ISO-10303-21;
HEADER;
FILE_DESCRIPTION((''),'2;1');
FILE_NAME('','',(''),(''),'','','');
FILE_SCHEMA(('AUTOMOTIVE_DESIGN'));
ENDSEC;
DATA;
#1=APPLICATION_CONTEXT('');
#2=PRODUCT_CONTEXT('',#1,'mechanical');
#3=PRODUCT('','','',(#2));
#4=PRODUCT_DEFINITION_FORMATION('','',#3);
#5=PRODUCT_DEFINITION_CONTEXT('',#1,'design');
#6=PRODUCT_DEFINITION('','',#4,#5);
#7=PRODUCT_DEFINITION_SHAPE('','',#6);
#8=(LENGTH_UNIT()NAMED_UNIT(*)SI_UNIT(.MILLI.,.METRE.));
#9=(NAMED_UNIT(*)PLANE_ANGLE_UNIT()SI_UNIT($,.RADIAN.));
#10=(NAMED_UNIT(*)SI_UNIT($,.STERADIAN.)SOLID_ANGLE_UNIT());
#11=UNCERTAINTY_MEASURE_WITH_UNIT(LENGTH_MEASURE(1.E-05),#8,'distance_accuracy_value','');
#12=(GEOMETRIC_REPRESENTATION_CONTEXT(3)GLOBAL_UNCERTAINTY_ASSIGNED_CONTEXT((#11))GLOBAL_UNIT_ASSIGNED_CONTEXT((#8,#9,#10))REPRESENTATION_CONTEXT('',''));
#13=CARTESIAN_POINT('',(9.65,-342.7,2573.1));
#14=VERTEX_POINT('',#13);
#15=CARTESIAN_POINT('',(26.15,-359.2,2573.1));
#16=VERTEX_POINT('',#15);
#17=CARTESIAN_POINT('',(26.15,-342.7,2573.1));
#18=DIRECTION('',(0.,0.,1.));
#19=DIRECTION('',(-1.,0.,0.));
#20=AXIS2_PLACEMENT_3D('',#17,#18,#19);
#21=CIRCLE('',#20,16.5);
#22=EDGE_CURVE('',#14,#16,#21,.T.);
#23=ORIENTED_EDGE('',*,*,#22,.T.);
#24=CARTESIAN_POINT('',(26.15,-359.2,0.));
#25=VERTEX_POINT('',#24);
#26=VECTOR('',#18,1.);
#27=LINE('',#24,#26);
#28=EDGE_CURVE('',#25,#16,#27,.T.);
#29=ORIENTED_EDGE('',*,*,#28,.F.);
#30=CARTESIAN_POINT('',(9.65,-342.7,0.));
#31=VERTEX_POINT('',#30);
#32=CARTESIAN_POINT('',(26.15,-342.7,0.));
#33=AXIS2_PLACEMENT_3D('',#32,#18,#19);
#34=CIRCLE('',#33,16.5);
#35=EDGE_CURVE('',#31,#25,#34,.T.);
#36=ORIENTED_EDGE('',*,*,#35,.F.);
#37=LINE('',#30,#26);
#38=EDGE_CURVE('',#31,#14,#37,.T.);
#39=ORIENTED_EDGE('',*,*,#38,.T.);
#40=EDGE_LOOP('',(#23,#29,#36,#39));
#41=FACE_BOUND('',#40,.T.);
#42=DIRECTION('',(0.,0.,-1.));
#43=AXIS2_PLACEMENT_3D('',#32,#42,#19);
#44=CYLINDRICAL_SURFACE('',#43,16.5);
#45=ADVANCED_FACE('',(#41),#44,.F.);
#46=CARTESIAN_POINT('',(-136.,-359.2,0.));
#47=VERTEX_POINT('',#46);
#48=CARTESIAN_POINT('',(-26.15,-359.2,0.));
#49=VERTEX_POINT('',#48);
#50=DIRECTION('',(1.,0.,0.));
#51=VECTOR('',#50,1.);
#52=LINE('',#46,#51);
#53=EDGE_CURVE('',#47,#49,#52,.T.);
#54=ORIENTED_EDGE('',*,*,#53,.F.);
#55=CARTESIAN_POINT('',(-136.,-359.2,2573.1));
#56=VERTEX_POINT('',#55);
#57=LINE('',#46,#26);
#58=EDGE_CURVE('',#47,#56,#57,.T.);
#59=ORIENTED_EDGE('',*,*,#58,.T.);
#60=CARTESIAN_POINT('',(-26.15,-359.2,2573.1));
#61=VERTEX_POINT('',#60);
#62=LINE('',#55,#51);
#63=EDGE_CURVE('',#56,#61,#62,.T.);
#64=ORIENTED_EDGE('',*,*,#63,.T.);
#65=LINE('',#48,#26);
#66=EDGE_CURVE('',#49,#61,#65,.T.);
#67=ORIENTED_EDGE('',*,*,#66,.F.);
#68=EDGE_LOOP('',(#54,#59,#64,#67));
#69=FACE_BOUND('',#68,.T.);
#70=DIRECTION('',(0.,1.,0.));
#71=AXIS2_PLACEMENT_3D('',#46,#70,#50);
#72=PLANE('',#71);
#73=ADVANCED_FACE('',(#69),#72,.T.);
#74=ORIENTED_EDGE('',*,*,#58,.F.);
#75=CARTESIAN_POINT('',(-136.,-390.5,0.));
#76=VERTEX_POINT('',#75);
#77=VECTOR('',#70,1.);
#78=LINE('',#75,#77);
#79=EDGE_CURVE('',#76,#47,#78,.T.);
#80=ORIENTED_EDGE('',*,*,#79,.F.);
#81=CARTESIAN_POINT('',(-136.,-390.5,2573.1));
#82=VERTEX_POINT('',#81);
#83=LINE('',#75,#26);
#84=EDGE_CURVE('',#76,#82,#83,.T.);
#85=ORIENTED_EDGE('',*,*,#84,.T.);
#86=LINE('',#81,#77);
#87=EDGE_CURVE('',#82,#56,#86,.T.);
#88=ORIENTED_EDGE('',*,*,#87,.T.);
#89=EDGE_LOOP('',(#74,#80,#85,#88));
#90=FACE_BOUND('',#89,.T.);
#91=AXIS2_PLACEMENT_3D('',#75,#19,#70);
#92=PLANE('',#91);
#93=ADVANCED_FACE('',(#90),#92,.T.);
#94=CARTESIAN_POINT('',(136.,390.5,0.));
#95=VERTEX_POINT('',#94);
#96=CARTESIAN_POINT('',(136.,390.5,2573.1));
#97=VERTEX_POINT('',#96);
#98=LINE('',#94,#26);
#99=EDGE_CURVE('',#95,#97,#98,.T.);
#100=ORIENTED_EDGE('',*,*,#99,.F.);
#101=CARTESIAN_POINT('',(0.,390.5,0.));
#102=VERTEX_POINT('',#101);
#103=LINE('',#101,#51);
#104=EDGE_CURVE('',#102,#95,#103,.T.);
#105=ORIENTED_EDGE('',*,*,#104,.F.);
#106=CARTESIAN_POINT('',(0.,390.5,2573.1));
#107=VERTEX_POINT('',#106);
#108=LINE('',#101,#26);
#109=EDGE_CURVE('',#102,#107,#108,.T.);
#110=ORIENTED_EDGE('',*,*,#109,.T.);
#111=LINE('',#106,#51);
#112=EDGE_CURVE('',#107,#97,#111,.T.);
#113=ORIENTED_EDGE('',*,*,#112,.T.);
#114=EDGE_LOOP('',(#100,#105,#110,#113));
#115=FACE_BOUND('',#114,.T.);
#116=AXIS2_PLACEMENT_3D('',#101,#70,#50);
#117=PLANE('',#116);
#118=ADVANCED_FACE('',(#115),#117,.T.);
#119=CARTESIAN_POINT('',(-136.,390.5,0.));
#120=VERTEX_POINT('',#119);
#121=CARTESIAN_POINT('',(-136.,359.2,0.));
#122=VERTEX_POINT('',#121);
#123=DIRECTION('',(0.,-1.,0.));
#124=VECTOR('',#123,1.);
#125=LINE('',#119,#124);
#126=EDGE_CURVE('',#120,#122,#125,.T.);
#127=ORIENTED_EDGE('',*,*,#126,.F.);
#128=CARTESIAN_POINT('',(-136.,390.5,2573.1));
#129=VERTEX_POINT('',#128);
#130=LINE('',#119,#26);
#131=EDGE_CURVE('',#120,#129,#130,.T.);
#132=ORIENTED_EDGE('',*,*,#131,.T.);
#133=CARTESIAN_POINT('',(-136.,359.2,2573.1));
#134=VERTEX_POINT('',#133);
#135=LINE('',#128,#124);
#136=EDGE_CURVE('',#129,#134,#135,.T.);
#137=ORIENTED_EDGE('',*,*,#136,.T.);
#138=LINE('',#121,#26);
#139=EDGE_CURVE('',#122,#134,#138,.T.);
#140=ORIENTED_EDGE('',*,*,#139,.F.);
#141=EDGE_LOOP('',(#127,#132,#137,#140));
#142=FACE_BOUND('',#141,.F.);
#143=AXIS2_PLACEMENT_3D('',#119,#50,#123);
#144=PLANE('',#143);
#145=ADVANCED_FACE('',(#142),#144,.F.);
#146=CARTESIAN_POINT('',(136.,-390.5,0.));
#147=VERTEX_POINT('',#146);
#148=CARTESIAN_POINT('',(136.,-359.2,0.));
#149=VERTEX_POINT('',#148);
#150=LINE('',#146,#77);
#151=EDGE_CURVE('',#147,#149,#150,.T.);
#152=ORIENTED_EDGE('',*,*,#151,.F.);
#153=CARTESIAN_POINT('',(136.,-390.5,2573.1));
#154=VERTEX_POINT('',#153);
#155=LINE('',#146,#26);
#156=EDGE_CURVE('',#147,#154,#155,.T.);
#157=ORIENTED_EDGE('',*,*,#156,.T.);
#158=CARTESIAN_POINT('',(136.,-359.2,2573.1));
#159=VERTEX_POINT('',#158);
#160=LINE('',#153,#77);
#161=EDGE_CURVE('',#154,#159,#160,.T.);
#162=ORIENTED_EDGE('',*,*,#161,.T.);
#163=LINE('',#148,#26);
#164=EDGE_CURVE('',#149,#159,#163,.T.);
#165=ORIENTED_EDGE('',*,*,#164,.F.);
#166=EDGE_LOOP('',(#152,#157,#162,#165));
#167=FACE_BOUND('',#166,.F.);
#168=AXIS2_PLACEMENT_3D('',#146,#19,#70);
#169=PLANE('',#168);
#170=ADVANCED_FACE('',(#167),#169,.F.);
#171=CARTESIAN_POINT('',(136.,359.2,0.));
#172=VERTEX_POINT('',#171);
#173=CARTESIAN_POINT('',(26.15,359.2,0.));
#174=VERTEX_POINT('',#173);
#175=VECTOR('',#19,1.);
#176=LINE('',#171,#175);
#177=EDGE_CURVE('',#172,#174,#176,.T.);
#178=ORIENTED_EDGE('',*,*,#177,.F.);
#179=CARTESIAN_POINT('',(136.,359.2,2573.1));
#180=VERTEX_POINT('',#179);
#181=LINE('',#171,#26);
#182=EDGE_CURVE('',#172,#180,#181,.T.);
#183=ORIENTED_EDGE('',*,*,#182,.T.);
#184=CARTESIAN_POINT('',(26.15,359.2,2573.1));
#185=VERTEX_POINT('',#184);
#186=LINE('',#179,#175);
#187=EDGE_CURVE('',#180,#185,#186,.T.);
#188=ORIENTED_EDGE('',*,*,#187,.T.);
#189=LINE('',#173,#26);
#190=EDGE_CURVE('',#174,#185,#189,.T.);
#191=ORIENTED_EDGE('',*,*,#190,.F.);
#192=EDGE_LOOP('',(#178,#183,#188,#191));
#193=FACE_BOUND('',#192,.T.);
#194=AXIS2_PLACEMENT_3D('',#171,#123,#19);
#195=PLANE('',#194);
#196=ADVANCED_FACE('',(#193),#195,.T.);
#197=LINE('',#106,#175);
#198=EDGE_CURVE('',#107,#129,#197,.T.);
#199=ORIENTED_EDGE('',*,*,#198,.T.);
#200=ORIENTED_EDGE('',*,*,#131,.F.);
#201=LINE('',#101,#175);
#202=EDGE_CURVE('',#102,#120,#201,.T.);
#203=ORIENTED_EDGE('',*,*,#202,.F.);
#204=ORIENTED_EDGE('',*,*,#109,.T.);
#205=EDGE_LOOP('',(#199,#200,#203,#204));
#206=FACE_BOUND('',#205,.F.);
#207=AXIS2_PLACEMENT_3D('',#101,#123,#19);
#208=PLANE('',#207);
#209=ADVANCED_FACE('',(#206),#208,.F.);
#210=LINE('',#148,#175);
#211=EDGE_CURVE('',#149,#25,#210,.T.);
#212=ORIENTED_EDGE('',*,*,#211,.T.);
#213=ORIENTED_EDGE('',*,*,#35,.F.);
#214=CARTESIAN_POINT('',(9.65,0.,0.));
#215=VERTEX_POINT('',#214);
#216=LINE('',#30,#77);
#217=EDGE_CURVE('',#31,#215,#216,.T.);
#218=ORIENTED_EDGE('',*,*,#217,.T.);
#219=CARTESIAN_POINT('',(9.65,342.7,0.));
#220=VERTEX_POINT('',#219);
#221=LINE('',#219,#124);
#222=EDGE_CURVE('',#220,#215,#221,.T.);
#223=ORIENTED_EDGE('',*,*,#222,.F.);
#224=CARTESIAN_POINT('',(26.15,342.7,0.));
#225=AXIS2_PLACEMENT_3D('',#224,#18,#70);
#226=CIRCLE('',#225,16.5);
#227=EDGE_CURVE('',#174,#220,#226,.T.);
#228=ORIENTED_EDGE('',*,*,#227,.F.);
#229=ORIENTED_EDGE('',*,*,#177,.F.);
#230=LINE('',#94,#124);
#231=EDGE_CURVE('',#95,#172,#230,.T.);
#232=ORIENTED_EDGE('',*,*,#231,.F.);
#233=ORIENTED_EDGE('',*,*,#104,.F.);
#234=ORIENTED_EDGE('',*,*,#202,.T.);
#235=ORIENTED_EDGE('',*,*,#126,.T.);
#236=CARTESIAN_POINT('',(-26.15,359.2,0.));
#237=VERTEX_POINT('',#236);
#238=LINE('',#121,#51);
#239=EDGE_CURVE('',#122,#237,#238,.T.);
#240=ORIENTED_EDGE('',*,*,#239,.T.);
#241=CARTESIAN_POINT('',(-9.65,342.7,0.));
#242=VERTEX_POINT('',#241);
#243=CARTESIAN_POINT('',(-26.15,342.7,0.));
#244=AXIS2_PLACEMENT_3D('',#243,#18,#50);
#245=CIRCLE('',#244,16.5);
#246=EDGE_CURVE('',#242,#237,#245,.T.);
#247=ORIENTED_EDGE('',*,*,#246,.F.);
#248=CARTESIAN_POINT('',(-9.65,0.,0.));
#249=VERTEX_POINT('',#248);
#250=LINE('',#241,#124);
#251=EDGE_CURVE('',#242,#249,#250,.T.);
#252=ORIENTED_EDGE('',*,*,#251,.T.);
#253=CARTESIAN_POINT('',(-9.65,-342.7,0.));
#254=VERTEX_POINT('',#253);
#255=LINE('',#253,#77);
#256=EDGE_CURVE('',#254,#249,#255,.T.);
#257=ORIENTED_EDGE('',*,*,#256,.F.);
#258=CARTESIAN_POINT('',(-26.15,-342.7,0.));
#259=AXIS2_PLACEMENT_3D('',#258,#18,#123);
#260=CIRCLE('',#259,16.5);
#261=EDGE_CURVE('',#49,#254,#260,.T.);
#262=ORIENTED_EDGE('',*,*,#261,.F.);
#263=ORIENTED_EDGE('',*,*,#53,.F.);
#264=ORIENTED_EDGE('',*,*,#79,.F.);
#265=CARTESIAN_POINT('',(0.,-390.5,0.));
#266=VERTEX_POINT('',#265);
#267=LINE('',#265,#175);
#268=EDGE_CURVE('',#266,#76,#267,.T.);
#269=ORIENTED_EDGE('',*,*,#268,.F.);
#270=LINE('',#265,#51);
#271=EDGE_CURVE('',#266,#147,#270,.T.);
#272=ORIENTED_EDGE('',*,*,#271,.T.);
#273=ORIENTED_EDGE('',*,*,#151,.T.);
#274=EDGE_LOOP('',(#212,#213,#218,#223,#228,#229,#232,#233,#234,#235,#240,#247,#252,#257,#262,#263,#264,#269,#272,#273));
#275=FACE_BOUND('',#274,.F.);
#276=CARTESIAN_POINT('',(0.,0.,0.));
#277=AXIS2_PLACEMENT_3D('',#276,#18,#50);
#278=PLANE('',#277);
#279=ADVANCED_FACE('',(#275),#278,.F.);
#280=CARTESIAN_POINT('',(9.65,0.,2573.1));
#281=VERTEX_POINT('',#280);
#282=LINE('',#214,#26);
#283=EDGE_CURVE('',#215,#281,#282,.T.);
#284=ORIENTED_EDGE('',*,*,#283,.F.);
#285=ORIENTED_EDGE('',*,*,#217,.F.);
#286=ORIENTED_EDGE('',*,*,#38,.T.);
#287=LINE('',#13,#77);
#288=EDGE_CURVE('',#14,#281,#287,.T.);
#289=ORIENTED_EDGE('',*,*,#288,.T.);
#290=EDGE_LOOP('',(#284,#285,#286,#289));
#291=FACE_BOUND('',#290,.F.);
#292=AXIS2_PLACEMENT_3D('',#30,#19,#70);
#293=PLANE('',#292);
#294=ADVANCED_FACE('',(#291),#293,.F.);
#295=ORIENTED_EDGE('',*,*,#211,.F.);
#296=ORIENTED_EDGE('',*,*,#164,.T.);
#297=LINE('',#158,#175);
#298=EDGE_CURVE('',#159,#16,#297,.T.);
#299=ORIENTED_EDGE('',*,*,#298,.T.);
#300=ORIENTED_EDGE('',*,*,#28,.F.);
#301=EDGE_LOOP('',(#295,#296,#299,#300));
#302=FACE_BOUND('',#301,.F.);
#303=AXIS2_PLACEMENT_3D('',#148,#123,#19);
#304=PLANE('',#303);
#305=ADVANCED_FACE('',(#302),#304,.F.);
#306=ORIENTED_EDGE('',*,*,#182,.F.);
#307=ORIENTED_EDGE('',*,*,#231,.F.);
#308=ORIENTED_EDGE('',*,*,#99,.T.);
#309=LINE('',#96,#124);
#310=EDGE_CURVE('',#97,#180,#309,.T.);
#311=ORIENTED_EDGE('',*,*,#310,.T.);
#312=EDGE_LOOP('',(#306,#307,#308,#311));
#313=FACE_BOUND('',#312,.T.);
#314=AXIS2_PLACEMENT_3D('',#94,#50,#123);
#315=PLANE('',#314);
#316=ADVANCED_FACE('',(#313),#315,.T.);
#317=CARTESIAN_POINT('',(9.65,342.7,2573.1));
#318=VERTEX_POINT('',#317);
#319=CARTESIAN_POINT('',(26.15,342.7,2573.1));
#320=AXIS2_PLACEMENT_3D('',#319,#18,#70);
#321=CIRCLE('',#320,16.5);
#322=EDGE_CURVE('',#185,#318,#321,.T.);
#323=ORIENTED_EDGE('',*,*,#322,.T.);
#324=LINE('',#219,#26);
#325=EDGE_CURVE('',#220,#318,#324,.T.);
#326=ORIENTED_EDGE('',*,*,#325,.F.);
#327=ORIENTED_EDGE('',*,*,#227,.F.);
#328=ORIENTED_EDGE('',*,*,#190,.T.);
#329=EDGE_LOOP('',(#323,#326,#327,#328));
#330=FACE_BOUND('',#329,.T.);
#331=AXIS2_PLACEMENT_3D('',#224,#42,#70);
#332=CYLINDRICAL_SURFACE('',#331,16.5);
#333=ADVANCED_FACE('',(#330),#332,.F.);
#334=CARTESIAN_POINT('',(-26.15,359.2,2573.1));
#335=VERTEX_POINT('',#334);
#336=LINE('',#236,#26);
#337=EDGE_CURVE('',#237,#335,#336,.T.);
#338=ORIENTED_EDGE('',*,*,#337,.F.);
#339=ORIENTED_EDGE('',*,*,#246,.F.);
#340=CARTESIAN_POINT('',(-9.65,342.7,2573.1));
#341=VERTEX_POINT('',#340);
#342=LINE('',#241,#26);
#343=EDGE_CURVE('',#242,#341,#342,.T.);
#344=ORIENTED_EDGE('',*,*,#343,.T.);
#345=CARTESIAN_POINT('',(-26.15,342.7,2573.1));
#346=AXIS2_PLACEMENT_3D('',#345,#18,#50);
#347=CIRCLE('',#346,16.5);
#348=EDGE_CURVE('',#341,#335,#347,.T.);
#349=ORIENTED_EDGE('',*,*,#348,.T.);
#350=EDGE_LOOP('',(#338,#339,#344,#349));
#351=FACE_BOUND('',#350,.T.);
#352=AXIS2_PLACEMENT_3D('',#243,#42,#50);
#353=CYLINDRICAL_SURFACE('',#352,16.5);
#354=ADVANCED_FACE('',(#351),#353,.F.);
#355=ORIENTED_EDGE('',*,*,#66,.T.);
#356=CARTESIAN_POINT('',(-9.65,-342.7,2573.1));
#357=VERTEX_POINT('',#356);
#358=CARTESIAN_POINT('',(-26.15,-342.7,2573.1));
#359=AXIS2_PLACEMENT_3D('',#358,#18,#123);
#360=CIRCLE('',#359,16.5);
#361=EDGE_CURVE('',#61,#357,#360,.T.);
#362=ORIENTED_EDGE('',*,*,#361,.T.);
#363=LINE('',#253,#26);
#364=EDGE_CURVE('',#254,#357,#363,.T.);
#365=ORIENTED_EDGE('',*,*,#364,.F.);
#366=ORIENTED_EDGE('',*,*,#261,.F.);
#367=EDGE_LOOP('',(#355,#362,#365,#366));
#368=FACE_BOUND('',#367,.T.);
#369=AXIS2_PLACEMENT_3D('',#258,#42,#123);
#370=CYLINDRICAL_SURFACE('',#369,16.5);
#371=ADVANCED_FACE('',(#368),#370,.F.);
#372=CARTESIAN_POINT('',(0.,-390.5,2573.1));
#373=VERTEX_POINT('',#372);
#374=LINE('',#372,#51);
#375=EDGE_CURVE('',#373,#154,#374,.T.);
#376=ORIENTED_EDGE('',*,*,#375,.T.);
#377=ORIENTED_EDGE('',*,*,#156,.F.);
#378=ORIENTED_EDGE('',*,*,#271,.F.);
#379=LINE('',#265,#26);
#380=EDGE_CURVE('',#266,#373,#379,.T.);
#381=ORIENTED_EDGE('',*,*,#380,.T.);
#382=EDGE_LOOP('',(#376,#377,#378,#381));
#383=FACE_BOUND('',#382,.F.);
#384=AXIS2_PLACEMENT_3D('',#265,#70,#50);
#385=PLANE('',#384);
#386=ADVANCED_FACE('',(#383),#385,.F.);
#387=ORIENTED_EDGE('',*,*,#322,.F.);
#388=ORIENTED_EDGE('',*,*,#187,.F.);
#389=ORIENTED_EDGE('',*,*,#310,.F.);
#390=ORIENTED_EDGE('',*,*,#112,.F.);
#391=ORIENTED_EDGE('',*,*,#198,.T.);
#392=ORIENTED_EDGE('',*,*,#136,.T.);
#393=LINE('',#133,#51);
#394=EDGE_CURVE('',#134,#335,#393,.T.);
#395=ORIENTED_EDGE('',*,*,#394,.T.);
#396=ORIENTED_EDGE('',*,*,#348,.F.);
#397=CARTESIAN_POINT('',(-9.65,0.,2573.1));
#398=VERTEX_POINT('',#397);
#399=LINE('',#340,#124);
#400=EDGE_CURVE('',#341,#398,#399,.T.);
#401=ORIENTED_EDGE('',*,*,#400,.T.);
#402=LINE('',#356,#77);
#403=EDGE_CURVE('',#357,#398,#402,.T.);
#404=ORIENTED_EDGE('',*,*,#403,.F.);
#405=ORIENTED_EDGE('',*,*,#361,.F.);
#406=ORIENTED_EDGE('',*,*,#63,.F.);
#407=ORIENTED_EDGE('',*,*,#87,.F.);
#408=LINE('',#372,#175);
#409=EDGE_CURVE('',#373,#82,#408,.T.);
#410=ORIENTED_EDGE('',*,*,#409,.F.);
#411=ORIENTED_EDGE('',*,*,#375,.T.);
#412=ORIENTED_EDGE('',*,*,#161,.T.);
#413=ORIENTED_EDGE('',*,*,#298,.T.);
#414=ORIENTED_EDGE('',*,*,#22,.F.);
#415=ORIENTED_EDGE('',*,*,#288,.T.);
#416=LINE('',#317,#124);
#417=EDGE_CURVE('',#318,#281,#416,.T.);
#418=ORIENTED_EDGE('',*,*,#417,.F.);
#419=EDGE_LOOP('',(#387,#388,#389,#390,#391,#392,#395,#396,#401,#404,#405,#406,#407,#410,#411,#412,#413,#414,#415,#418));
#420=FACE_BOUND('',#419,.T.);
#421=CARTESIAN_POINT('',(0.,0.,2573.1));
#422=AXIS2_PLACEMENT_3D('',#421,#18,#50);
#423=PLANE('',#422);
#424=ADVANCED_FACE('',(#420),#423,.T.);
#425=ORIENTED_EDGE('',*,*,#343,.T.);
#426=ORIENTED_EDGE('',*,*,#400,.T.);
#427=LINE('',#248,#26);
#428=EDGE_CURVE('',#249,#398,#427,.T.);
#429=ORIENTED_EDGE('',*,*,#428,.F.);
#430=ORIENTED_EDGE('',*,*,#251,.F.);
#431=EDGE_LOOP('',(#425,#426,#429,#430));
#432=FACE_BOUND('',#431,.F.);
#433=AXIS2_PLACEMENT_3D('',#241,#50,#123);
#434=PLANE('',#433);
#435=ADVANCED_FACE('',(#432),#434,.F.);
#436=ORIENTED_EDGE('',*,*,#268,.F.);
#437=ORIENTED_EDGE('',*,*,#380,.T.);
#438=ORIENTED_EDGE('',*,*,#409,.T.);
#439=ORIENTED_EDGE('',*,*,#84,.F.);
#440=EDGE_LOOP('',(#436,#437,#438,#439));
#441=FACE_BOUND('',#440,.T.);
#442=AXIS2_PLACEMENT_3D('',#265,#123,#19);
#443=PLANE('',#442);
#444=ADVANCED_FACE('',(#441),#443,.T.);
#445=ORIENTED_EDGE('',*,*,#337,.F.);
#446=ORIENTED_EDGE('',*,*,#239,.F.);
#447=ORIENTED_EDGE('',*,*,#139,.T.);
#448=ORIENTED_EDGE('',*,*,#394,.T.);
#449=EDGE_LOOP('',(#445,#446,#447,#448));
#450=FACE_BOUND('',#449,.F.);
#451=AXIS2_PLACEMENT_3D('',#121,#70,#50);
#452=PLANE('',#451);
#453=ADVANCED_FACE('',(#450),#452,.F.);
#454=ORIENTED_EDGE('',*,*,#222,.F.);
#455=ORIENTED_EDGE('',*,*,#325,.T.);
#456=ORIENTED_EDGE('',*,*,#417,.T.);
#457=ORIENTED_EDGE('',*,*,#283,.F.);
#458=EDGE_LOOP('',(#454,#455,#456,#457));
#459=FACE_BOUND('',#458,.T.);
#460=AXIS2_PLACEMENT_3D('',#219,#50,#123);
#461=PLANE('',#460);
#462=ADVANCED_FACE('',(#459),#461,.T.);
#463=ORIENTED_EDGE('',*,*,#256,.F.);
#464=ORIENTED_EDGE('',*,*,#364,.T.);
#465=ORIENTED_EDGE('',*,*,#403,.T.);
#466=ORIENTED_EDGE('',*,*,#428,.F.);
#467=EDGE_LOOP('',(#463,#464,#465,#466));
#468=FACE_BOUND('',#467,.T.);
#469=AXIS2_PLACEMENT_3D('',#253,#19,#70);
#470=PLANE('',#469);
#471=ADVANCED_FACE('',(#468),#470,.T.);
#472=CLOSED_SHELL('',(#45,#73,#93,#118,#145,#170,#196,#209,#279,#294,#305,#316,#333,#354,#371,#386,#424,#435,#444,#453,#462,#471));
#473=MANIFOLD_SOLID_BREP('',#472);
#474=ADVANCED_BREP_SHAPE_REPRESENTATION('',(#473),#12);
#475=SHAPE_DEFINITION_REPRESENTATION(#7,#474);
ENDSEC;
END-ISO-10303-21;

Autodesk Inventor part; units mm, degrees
ref_plane "YZ Plane" through (0, 0, 0) normal (1, 0, 0) x (0, 1, 0)
ref_plane "Start plane" through (0, 0, 0) normal (0, 0, 1) x (1, 0, 0)
ref_plane "End plane" through (0, 0, 2573.1) normal (0, 0, 1) x (1, 0, 0)
sketch "Sketch" plane through (0, 0, 0) normal (0, 0, 1) x (1, 0, 0)
  line L0 (-136, -390.5) -> (-136, -359.2)
  line L1 (-136, -359.2) -> (-26.15, -359.2)
  line L2 (-9.65, -342.7) -> (-9.65, 0)
  line L3 (-9.65, 0) -> (0, 0) construction
  line L4 (0, 0) -> (0, -390.5) construction
  line L5 (0, -390.5) -> (-136, -390.5)
  line L6 (-60, 0) -> (80, 0) construction
  line L7 (0, -60) -> (0, 80) construction
  line L8 (136, -390.5) -> (136, -359.2)
  line L9 (136, -359.2) -> (26.15, -359.2)
  line L10 (9.65, -342.7) -> (9.65, 0)
  line L11 (9.65, 0) -> (0, 0) construction
  line L12 (0, -390.5) -> (136, -390.5)
  line L13 (-136, 390.5) -> (-136, 359.2)
  line L14 (-136, 359.2) -> (-26.15, 359.2)
  line L15 (-9.65, 342.7) -> (-9.65, 0)
  line L16 (0, 390.5) -> (-136, 390.5)
  line L17 (136, 390.5) -> (136, 359.2)
  line L18 (136, 359.2) -> (26.15, 359.2)
  line L19 (0, 390.5) -> (136, 390.5)
  line L20 (9.65, 342.7) -> (9.65, 0)
  arc A0 (-9.65, 342.7) -> (-26.15, 359.2) centre (-26.15, 342.7) ccw
  arc A1 (26.15, 359.2) -> (9.65, 342.7) centre (26.15, 342.7) ccw
  arc A2 (9.65, -342.7) -> (26.15, -359.2) centre (26.15, -342.7) ccw
  arc A3 (-26.15, -359.2) -> (-9.65, -342.7) centre (-26.15, -342.7) ccw
  line L21 (0, 108) -> (0, -88) construction
  line L22 (-88, 0) -> (108, 0) construction
  point P0 (-9.65, -359.2)
  point P1 (9.65, -359.2)
  point P2 (-9.65, 359.2)
  point P3 (9.65, 359.2)
  dimension "d1" = 390.5
  dimension "d2" = 31.3
  dimension "d3" = 136
  dimension "d4" = 9.65
  dimension "d10" = 16.5
extrude "Body" add sketch "Sketch" along normal up to surface (2573.1 mm away) from surface at 0
sketch "Sketch4" plane through (0, 0, 0) normal (0, 0, 1) x (1, 0, 0)
  line L0 (0, 0) -> (10, 0)
ref_plane "Work Plane3" through (0, 0, 0) normal (0, -1, 0) x (1, 0, 0)
sketch "Sketch5" plane through (0, 0, 0) normal (0, -1, 0) x (1, 0, 0)
  line L0 (-2, 0) -> (12, 0) projected
  line L1 (-2, 2573.1) -> (12, 2573.1) projected
  dimension "d14" = 2573.1
equation "\"d1\" = 0.5 * G_H"
equation "\"d2\" = G_T1"
equation "\"d3\" = 0.5 * G_W"
equation "\"d4\" = 0.5 * G_T"
equation "\"d10\" = G_IR"
equation "\"d5\" = G_L"
equation "\"G_W\" = 272"
equation "\"G_H\" = 781"
equation "\"G_T\" = 19.3"
equation "\"G_T1\" = 31.3"
equation "\"G_IR\" = 16.5"
equation "\"G_L\" = d14"
equation "\"G_OFFSET_START\" = 0"
equation "\"G_OFFSET_END\" = 0"
equation "\"d12\" = G_OFFSET_END + B_L"
equation "\"B_L\" = 2573.1"
properties part number "AS 3679-1990 - 760 UB - 244 - 2573.1" material "Steel, Mild"
